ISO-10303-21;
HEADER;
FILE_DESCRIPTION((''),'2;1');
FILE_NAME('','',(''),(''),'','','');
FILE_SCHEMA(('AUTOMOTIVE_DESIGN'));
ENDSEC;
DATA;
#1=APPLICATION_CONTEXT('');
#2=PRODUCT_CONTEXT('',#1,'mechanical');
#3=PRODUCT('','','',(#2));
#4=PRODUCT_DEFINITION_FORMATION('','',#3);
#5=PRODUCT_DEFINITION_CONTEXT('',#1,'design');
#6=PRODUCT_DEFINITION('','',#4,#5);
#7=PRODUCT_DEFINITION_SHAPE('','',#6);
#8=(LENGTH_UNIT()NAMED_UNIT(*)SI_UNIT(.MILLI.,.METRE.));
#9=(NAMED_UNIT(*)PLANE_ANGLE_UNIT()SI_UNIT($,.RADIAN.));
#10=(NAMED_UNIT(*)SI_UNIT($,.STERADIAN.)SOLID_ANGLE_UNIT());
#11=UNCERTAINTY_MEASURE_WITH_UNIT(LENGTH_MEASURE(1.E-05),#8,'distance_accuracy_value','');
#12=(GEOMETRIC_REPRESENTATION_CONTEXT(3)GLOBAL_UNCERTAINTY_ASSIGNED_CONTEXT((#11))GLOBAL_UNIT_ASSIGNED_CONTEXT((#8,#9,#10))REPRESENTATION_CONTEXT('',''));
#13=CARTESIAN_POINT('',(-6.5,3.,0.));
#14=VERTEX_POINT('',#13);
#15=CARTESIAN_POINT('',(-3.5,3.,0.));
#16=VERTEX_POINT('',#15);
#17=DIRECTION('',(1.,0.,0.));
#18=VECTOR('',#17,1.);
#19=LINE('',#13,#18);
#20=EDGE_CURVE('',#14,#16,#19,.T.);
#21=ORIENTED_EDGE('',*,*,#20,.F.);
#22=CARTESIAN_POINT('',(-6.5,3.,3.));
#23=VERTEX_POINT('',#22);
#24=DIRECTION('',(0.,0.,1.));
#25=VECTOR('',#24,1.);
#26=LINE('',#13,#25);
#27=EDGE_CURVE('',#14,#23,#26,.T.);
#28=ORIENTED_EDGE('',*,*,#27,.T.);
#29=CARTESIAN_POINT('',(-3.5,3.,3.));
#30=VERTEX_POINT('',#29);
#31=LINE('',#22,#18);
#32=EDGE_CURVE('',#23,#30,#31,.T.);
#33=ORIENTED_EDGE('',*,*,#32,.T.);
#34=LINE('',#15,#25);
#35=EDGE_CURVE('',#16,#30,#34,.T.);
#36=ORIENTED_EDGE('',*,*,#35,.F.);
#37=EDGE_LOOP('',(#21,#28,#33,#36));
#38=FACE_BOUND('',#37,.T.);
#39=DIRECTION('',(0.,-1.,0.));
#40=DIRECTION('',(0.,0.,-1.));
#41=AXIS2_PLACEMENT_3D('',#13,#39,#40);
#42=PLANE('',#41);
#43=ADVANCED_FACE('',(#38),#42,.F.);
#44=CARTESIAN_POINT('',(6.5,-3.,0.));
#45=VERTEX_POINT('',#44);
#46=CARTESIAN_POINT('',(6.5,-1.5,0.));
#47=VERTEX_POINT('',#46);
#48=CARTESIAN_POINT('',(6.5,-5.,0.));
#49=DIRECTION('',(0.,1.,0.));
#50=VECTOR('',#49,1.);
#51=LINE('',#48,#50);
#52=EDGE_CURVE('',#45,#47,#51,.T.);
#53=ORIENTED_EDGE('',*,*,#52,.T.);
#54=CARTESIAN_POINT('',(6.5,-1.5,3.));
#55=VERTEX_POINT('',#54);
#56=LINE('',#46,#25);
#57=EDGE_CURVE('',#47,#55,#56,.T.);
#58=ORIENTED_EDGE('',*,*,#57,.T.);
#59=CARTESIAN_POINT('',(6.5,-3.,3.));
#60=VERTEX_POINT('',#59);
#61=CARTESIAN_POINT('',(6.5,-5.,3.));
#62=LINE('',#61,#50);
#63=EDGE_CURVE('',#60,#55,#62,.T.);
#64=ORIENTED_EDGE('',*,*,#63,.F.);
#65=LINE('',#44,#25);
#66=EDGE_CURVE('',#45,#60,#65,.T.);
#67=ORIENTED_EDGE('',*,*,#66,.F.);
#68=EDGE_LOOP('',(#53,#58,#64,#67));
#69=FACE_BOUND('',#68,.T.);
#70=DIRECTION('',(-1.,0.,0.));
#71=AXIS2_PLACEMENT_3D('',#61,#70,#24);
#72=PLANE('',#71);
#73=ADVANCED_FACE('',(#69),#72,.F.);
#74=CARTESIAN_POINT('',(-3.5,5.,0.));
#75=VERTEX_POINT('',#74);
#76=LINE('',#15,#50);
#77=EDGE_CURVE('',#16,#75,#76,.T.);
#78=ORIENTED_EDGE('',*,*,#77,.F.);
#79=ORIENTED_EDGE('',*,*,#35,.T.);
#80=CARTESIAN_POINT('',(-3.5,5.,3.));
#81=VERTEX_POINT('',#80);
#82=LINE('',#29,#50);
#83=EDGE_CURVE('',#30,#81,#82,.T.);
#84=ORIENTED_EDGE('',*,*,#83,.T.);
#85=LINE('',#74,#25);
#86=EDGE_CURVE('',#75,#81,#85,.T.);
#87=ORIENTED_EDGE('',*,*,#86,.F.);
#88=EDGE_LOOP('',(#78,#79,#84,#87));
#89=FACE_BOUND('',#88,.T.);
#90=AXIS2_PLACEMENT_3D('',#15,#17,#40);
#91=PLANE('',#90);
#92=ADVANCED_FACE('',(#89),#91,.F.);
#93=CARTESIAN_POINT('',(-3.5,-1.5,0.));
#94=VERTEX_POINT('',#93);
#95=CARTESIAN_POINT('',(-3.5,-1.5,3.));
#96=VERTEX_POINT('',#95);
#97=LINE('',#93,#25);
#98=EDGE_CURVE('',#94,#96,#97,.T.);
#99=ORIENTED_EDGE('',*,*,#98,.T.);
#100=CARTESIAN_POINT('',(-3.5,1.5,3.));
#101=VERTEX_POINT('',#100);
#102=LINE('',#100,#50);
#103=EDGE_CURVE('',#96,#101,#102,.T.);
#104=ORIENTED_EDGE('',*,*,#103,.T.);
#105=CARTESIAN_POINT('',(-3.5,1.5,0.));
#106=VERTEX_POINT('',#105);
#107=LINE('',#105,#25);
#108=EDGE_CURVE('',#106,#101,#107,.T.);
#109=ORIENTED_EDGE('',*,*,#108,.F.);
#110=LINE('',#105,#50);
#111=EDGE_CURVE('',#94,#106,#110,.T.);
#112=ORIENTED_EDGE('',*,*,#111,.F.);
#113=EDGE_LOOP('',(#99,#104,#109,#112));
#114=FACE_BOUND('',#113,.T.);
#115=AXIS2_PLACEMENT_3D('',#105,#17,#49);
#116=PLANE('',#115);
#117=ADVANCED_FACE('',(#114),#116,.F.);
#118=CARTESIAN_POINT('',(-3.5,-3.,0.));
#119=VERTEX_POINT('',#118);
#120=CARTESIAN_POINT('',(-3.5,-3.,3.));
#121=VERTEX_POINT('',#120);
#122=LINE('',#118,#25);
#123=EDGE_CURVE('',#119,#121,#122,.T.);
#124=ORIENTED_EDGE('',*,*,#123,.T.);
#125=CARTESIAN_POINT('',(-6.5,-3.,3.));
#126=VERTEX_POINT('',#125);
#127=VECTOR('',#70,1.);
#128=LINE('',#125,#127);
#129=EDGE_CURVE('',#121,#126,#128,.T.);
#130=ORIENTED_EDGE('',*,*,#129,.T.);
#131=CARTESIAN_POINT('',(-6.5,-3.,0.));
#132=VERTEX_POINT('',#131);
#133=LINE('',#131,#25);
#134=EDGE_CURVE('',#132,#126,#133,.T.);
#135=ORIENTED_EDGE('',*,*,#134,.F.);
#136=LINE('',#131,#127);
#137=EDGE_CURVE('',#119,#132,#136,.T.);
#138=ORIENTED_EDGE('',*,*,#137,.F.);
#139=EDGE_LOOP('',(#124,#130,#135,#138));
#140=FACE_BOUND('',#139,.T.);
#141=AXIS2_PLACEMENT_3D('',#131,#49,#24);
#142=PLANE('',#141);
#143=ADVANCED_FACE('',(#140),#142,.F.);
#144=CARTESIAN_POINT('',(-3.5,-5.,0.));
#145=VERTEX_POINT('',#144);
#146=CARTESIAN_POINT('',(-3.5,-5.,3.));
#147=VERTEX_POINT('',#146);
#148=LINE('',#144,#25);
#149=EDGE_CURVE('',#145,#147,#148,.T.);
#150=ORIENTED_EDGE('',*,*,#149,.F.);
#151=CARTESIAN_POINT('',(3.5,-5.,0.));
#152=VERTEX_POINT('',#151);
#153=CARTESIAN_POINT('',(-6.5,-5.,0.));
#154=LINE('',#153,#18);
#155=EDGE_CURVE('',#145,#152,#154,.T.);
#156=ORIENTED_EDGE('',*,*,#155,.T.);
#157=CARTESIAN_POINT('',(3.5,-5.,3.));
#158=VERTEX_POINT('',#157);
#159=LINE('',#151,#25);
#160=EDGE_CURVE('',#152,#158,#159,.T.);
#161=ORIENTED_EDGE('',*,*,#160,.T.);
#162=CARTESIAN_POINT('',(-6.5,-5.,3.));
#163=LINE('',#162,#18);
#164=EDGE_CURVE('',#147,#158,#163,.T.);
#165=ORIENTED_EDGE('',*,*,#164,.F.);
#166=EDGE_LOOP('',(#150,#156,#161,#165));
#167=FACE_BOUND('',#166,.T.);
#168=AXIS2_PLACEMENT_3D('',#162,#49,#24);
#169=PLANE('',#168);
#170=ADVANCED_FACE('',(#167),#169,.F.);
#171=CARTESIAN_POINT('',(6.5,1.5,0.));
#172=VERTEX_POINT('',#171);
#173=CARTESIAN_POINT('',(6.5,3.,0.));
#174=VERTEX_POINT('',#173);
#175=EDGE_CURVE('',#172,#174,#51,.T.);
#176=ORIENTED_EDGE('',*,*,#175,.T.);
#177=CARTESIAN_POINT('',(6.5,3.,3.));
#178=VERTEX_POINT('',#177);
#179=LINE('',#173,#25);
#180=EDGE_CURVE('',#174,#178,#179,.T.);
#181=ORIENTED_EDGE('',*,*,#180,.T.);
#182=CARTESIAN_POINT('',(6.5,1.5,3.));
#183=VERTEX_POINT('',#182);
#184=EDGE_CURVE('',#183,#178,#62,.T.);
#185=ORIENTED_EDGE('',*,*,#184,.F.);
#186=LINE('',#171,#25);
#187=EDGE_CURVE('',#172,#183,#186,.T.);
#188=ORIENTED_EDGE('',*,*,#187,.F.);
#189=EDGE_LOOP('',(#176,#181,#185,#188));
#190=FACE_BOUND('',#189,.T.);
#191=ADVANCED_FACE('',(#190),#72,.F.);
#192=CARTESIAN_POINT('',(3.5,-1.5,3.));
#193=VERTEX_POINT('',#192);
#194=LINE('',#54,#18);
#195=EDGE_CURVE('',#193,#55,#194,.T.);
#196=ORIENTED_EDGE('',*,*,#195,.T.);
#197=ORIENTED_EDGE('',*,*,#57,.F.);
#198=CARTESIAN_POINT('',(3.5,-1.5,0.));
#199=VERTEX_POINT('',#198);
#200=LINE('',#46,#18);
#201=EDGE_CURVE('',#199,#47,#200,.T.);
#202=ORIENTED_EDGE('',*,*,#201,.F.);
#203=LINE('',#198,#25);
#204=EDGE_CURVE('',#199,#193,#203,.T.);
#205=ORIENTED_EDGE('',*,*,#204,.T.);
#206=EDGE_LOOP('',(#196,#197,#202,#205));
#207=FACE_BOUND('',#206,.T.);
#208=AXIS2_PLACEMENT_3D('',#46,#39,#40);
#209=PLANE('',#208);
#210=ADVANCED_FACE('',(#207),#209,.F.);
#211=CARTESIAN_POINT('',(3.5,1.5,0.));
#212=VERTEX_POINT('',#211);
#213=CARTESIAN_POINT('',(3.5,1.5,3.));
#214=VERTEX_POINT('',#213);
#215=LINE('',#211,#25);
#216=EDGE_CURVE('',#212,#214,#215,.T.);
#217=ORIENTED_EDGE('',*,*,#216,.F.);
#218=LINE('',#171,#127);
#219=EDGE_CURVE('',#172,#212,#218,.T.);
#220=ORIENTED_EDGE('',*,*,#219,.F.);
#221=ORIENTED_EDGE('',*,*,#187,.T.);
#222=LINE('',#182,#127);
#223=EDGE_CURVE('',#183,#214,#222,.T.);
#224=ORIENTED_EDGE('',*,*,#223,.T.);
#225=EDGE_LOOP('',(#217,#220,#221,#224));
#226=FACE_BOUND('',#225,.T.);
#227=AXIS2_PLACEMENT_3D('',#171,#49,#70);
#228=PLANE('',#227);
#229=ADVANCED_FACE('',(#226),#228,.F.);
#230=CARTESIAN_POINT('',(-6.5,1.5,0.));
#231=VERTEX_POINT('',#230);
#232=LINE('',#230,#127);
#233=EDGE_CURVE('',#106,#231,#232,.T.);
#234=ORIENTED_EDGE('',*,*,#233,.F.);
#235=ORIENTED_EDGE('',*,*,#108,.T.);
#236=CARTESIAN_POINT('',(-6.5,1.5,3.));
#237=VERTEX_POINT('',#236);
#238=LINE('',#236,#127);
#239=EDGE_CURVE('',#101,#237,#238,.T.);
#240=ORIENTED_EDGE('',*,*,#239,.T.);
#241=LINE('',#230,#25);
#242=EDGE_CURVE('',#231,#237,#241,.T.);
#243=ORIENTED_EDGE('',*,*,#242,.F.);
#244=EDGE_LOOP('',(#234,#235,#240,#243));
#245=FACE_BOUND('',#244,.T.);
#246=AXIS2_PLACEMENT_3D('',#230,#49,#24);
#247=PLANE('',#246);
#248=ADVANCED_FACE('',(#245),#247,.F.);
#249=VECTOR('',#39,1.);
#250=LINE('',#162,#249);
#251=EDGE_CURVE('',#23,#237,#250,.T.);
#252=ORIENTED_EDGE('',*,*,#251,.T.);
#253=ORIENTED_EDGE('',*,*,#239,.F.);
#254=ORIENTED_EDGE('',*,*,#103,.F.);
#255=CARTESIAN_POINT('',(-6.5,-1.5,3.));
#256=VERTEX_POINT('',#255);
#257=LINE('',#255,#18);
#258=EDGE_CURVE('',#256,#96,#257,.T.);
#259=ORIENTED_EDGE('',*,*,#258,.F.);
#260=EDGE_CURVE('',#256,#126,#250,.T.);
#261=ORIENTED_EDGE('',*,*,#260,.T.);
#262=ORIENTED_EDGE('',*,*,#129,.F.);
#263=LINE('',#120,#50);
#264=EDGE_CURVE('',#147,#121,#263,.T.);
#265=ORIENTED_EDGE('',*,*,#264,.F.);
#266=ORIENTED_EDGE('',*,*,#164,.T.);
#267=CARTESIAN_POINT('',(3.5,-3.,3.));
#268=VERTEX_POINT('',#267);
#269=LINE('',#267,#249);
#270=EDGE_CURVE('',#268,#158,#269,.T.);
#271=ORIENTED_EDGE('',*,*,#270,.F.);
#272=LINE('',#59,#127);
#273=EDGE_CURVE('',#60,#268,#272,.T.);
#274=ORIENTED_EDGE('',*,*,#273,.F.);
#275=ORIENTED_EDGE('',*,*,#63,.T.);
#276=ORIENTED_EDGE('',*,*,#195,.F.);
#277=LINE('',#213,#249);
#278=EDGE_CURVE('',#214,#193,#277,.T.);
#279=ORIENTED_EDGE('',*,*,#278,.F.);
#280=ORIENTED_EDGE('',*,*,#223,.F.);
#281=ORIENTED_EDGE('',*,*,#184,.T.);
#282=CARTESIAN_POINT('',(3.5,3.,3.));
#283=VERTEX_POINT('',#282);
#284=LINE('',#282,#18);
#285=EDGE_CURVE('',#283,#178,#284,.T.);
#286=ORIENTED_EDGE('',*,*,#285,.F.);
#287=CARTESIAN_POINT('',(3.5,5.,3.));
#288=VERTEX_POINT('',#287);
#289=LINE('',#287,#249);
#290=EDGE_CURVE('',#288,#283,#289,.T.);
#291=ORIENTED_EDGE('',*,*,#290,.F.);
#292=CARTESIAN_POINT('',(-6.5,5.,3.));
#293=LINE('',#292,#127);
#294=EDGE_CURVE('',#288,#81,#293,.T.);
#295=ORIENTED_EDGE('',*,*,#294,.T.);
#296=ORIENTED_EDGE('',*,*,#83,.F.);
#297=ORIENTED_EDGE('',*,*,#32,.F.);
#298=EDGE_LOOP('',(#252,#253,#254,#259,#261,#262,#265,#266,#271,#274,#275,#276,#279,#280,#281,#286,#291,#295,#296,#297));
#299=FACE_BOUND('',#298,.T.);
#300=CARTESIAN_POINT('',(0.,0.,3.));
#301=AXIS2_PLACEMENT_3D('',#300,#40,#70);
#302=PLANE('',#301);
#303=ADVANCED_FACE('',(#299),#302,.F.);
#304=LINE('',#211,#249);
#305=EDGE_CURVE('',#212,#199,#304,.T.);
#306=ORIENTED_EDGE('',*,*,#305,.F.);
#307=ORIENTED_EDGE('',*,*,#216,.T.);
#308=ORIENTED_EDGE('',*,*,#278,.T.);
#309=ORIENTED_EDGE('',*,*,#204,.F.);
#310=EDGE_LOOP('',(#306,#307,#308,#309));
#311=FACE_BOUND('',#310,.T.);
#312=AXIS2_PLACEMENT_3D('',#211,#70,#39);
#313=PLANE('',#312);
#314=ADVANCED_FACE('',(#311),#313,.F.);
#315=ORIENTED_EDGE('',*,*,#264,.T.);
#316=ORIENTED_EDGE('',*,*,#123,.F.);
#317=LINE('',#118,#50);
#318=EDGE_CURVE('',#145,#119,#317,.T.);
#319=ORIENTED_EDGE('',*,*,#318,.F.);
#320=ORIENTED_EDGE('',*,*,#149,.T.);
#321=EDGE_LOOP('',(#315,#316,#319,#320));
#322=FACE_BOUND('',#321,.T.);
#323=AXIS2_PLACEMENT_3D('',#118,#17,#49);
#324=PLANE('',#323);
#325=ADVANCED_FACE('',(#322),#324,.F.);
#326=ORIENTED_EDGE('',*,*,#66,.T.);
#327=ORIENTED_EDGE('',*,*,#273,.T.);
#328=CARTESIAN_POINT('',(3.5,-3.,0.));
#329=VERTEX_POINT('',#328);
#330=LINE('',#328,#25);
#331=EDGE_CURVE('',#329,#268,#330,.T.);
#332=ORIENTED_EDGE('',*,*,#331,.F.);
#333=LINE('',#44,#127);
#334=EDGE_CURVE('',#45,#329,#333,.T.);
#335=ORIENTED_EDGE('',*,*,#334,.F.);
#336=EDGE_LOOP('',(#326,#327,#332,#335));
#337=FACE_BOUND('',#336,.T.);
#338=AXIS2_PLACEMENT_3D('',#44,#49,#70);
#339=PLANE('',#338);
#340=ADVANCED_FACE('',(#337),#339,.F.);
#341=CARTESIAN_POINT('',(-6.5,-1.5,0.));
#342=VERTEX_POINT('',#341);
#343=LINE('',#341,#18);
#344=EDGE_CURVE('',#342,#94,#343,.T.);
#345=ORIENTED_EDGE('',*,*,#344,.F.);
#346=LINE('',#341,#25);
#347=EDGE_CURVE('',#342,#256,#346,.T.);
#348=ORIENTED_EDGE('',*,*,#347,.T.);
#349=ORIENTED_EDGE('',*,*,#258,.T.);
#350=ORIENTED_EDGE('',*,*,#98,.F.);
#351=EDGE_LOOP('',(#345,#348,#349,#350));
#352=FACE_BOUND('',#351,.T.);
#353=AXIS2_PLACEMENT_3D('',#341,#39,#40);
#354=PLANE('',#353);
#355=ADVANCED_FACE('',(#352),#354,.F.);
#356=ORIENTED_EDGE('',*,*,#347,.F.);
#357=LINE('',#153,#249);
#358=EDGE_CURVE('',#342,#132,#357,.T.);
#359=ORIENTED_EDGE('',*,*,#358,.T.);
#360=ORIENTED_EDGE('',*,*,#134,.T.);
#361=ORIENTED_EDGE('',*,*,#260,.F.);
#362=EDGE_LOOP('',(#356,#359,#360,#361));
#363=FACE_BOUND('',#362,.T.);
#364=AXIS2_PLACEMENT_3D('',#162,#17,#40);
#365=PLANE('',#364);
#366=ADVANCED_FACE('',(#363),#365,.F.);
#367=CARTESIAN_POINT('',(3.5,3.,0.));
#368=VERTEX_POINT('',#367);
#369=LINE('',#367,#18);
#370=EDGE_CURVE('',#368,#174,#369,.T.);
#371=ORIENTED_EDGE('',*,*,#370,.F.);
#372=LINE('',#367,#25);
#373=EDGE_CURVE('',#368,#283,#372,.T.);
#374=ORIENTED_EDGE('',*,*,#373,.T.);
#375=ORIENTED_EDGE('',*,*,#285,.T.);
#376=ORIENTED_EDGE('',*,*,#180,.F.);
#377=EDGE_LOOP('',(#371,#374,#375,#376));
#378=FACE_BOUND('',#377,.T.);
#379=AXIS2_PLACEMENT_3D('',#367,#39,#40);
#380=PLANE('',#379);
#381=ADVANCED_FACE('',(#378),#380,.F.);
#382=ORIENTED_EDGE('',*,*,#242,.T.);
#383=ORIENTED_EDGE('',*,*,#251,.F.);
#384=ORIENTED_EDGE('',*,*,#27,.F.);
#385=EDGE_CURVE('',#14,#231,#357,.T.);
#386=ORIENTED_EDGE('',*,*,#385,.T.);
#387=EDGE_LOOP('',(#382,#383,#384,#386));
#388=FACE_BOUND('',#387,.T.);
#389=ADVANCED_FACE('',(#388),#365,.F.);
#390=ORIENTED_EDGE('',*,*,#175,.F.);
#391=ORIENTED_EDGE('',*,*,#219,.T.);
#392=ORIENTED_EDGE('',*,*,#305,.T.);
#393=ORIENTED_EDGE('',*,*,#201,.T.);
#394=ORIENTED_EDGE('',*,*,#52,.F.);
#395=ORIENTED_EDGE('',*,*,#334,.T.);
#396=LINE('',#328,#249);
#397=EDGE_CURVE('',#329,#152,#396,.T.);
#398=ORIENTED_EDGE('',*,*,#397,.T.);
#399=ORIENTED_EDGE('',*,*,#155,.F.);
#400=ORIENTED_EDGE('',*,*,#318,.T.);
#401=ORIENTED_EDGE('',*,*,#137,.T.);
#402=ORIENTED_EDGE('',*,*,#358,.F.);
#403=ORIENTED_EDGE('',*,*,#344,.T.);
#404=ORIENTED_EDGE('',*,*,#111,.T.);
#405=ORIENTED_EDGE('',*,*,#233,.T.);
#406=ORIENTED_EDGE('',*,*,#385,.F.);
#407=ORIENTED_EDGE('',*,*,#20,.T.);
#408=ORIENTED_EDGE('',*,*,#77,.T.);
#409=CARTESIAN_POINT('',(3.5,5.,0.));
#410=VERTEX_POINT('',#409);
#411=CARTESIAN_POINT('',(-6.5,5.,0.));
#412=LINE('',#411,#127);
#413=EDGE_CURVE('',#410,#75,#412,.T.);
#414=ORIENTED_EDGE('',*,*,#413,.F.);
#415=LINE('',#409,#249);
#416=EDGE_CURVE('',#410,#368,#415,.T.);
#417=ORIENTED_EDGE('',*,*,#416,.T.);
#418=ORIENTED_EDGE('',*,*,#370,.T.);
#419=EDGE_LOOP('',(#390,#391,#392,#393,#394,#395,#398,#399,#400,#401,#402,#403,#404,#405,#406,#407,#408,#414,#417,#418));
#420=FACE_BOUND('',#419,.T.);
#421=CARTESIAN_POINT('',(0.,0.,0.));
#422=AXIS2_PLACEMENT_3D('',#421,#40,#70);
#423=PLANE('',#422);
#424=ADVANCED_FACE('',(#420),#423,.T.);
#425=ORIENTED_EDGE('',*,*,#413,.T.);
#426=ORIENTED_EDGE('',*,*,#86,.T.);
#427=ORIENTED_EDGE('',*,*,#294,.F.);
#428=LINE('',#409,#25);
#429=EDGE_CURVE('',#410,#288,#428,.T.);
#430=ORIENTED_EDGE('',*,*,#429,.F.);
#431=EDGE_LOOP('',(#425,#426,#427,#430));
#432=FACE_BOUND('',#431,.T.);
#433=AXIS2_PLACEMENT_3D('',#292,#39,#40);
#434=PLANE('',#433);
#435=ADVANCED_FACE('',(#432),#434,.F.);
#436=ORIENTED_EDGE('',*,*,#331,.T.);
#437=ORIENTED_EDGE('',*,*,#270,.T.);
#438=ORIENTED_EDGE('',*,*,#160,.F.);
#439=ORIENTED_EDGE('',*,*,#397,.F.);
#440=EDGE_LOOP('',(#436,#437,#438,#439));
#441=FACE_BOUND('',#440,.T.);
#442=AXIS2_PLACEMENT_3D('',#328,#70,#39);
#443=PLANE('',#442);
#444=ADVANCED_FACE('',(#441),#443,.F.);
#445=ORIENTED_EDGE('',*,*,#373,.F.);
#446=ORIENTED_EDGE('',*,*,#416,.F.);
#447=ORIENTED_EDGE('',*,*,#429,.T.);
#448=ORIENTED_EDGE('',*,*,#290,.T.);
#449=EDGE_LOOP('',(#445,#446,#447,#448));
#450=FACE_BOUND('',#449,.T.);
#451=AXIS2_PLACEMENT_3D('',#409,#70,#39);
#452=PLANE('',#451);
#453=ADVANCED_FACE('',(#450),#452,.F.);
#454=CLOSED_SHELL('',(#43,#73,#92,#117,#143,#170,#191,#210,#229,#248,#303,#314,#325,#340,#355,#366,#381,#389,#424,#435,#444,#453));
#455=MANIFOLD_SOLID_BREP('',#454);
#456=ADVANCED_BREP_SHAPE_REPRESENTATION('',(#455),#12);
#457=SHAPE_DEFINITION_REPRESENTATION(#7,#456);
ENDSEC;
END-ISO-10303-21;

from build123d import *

# Parameters (mm, degrees)
SKETCH1_W           = 13
SKETCH1_H           = 10
BOSS_EXTRUDE1_DEPTH = 3
SKETCH2_W           = 3
SKETCH2_H           = 2
SKETCH2_H_2         = 3
CUT_EXTRUDE1_DEPTH  = 3
SKETCH3_W           = 3
SKETCH3_H           = 2
SKETCH3_H_2         = 3
CUT_EXTRUDE2_DEPTH  = 3


with BuildPart() as part:
    # Sketch1 → Boss-Extrude1 (new body)
    with BuildSketch(Plane.XY):
        Rectangle(SKETCH1_W, SKETCH1_H)
    extrude(amount=BOSS_EXTRUDE1_DEPTH)

    # Sketch2 → Cut-Extrude1 (cut)
    with BuildSketch(Plane.XY.offset(3)):
        with Locations((-5, 4)):
            Rectangle(SKETCH2_W, SKETCH2_H)
        with Locations((-5, 0)):
            Rectangle(SKETCH2_W, SKETCH2_H_2)
        with Locations((-5, -4)):
            Rectangle(SKETCH2_W, SKETCH2_H)
    extrude(amount=-CUT_EXTRUDE1_DEPTH, mode=Mode.SUBTRACT)

    # Sketch3 → Cut-Extrude2 (cut)
    with BuildSketch(Plane.XY.offset(3)):
        with Locations((5, 4)):
            Rectangle(SKETCH3_W, SKETCH3_H)
        with Locations((5, 0)):
            Rectangle(SKETCH3_W, SKETCH3_H_2)
        with Locations((5, -4)):
            Rectangle(SKETCH3_W, SKETCH3_H)
    extrude(amount=-CUT_EXTRUDE2_DEPTH, mode=Mode.SUBTRACT)


solid = part.part
